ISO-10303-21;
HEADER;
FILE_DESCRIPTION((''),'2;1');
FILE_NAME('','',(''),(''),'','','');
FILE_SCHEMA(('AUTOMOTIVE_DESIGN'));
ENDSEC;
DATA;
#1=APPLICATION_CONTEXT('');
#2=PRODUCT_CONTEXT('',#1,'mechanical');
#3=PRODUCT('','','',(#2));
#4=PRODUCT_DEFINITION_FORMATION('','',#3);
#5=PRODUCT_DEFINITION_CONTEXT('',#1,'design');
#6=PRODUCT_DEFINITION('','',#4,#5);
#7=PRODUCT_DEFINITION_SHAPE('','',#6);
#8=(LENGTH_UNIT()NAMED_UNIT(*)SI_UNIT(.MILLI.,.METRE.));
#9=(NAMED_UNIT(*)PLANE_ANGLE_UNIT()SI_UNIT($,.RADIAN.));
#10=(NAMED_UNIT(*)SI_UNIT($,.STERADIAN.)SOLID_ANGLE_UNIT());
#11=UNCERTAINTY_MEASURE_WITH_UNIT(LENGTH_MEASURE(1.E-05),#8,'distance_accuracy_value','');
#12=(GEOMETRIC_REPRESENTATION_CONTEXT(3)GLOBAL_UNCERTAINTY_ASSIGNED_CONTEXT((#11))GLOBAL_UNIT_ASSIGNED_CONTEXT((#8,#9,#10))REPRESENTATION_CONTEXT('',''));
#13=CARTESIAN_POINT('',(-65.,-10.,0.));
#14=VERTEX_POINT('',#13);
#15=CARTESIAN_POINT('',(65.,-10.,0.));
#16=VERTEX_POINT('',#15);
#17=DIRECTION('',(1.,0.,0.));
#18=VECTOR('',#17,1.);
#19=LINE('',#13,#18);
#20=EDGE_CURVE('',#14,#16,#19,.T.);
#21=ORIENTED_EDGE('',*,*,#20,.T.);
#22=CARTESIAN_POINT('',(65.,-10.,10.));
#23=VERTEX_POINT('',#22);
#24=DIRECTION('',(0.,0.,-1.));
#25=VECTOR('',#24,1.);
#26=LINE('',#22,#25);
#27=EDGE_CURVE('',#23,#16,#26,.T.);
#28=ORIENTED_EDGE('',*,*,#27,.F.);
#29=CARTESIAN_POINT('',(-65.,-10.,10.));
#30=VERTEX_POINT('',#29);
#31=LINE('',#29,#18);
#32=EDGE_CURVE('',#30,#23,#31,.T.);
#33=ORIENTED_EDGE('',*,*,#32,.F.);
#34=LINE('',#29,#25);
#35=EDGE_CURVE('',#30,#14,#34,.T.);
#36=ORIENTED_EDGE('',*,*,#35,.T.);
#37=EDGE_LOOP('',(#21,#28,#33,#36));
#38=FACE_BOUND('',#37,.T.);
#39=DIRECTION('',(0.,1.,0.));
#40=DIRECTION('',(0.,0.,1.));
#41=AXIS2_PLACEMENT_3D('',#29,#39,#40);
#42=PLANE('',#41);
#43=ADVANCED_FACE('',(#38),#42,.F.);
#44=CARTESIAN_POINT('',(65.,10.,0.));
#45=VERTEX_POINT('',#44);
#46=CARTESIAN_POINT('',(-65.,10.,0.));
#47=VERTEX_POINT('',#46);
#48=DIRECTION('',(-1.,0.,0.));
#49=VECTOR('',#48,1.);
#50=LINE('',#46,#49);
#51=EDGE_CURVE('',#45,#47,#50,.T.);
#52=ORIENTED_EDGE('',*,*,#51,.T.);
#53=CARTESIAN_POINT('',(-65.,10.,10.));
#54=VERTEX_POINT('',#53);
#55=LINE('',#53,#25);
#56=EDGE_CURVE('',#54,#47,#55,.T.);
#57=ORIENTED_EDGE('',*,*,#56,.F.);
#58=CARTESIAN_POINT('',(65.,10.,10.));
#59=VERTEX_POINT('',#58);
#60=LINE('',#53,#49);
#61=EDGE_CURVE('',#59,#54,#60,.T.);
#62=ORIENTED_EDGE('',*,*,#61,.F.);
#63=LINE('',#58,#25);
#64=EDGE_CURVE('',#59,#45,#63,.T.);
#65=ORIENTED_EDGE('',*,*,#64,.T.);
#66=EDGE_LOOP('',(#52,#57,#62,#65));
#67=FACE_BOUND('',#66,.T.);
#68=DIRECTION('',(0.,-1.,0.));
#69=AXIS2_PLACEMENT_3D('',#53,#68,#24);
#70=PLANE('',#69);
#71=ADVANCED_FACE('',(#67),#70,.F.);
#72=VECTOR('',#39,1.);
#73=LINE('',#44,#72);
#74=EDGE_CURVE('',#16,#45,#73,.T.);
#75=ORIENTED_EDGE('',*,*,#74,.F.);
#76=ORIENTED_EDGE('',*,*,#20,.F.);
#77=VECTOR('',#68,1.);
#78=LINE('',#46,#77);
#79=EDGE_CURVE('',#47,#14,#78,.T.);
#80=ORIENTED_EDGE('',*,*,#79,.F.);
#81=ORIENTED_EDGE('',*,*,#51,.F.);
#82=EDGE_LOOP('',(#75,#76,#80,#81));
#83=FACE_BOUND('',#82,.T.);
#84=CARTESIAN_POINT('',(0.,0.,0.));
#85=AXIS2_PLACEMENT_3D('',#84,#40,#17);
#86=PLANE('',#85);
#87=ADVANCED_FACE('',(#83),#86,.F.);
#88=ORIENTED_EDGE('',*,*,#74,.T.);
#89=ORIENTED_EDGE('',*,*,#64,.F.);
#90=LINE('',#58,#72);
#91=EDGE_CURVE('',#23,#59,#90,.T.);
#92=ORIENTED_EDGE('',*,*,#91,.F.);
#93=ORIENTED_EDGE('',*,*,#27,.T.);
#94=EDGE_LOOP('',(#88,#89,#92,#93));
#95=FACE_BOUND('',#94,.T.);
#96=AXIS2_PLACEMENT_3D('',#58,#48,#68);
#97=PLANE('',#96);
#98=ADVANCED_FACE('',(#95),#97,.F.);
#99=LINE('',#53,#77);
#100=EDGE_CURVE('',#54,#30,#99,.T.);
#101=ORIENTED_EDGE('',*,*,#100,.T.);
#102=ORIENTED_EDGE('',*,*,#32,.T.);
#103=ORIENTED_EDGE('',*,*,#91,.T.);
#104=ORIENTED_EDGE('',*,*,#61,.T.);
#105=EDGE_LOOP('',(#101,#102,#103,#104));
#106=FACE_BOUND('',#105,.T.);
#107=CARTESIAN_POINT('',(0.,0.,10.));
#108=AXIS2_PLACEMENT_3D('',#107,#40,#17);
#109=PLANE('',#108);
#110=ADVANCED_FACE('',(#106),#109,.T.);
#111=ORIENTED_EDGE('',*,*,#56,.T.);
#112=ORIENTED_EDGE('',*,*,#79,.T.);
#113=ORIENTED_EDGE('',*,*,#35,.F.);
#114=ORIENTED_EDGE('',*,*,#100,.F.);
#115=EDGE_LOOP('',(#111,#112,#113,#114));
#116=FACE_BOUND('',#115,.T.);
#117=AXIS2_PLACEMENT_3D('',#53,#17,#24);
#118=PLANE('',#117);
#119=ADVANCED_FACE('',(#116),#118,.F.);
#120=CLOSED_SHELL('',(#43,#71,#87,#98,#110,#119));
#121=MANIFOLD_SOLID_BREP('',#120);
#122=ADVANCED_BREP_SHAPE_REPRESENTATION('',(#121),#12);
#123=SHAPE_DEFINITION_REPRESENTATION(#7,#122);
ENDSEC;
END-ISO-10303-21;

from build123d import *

# Parameters (mm, degrees)
SKETCH1_W           = 130
SKETCH1_H           = 20
BOSS_EXTRUDE1_DEPTH = 10


with BuildPart() as part:
    # Sketch1 → Boss-Extrude1 (new body)
    with BuildSketch(Plane.XY):
        Rectangle(SKETCH1_W, SKETCH1_H)
    extrude(amount=BOSS_EXTRUDE1_DEPTH)


solid = part.part
